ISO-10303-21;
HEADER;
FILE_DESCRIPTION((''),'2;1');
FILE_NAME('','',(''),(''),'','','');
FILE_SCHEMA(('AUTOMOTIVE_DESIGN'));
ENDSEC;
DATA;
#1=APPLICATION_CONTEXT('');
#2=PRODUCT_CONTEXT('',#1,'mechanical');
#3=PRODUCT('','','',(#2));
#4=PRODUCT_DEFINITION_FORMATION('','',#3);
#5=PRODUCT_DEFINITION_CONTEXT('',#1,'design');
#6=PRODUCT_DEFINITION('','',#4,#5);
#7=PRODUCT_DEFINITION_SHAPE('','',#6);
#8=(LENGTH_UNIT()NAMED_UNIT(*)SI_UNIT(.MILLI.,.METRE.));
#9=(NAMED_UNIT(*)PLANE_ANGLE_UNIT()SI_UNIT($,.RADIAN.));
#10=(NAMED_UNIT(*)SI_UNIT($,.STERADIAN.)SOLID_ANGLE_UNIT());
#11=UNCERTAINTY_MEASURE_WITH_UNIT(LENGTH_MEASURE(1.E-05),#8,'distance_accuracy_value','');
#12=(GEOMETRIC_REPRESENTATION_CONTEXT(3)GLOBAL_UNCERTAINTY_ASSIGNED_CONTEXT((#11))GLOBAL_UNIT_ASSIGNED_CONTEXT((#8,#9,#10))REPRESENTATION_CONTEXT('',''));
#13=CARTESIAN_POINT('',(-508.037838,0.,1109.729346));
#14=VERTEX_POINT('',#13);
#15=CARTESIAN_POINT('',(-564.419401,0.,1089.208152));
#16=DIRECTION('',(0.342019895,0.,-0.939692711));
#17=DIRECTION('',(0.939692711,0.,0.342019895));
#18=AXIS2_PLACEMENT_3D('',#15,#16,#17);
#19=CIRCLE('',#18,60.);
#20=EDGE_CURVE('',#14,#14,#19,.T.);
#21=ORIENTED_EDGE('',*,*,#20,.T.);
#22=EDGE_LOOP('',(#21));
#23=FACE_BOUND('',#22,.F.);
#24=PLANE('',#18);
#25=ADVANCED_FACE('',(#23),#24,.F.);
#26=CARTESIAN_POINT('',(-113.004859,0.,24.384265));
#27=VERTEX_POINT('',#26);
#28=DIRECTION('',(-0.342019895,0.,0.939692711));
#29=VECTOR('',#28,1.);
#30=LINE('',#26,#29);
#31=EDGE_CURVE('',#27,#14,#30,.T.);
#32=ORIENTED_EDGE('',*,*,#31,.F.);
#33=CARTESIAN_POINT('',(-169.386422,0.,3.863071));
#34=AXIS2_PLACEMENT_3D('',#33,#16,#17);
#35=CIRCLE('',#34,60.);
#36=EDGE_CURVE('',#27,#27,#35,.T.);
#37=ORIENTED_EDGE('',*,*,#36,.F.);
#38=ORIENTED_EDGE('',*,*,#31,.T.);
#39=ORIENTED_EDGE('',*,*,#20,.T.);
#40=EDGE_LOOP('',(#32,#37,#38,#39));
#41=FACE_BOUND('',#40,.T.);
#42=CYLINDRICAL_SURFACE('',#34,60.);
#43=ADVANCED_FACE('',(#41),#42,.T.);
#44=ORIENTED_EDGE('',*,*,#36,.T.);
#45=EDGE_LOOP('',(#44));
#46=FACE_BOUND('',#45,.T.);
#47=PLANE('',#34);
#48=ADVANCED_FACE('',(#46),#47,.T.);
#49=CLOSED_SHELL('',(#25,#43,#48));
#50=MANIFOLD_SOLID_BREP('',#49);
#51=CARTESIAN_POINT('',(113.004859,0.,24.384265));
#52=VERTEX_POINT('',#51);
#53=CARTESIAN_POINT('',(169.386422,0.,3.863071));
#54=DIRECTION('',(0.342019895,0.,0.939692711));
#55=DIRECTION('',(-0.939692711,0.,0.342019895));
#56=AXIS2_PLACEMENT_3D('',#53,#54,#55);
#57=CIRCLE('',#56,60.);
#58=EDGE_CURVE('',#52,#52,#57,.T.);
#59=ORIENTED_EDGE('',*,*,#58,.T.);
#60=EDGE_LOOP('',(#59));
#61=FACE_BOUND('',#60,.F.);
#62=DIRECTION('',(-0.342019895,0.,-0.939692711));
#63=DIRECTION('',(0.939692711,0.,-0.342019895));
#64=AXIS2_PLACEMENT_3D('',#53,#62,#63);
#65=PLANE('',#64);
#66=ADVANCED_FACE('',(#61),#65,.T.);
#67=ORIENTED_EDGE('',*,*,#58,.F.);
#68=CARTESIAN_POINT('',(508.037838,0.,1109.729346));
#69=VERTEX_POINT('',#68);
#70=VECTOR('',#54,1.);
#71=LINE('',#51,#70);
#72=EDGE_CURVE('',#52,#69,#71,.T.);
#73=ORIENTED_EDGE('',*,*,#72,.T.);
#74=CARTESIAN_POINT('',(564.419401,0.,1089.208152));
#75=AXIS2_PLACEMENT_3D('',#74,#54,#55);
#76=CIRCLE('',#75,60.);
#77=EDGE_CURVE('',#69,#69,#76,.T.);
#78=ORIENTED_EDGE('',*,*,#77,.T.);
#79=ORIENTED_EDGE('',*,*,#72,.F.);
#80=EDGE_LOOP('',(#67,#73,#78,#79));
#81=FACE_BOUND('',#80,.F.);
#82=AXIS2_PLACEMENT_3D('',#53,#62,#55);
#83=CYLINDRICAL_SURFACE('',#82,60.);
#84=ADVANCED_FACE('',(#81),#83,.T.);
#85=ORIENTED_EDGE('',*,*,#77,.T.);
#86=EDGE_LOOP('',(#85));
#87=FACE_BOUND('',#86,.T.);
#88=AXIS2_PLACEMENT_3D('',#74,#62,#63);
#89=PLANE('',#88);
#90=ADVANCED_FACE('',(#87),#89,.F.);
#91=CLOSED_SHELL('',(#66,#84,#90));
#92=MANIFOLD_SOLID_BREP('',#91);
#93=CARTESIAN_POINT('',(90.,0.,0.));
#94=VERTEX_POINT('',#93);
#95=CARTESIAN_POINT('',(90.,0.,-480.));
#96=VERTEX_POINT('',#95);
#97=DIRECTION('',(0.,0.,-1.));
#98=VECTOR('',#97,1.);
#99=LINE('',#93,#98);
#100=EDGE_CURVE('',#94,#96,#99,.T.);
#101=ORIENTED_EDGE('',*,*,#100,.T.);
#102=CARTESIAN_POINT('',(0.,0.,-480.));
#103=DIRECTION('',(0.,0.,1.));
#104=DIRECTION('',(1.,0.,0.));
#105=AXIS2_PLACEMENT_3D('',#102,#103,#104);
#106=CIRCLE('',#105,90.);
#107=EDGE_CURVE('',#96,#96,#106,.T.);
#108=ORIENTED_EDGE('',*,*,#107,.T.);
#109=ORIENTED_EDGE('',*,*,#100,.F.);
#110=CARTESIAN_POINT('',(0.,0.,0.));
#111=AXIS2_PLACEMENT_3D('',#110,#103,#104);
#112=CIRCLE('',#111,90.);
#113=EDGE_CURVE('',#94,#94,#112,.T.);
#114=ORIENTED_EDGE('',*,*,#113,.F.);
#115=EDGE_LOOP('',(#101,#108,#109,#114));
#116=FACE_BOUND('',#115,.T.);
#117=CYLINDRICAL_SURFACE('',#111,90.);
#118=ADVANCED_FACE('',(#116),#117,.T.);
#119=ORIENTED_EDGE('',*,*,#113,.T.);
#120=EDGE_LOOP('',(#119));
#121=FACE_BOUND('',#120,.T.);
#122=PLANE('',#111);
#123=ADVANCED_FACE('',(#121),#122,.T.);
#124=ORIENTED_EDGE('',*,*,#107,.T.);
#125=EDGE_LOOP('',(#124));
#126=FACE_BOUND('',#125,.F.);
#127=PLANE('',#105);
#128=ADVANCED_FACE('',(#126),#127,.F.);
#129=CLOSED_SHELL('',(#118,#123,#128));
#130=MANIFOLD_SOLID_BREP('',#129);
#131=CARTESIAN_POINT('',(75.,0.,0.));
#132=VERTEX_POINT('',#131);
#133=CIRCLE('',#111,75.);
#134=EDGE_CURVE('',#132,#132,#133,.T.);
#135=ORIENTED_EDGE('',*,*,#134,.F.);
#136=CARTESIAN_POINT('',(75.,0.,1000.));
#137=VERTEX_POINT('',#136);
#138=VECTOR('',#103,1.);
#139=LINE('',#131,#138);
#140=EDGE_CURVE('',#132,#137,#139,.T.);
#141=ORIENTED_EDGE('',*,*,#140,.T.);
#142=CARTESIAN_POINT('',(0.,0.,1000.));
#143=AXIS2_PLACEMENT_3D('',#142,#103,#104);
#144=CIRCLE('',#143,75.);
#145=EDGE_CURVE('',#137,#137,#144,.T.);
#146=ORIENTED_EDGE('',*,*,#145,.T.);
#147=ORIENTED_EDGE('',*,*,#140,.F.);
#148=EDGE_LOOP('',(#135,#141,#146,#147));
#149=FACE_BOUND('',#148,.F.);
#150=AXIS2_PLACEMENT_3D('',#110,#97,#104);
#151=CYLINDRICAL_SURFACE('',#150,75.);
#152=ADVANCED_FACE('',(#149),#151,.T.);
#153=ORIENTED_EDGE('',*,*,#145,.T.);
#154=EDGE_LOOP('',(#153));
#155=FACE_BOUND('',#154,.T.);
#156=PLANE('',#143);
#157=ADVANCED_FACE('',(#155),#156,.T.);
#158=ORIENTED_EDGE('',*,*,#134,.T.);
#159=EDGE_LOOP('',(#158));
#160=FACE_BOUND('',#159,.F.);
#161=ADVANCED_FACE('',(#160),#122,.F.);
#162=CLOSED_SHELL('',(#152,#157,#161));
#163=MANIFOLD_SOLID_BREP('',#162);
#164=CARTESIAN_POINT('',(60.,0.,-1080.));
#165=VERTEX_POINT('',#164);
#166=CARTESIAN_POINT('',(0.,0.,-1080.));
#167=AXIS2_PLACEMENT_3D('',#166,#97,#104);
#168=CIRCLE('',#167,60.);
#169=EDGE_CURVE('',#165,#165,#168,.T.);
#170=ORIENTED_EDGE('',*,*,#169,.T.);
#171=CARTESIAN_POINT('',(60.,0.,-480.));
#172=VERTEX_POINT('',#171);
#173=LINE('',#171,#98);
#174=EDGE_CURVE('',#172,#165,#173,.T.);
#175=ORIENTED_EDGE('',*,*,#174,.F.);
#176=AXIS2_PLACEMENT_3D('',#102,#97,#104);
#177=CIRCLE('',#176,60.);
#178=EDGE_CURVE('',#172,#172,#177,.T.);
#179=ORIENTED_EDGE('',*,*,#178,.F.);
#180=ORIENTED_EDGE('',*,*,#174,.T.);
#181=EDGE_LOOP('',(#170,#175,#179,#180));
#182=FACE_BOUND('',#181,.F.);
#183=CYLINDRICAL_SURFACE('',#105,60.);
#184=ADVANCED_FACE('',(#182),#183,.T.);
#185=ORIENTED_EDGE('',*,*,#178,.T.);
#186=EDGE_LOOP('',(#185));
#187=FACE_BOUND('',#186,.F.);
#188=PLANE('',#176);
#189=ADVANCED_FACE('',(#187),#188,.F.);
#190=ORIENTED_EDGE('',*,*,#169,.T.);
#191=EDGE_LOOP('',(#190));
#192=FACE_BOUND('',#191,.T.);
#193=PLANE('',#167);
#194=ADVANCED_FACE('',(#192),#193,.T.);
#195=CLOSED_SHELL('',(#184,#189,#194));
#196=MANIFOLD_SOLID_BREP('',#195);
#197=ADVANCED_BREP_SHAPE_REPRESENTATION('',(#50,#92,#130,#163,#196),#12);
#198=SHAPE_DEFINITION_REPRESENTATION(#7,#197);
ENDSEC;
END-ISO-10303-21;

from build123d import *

# Parameters (mm, degrees)
F0_R     = 75
F1_DEPTH = 1000
F0_R_2   = 90
F2_DEPTH = 480
F5_R     = 60
F6_DEPTH = 1155
F8_R     = 60
F9_DEPTH = 600


with BuildPart() as f1:
    # F0 (on Top) → F1 (new body)
    with BuildSketch(Plane.XY):
        Circle(F0_R)
    extrude(amount=F1_DEPTH)


with BuildPart() as f2:
    # F0 (on Top) → F2 (new body)
    with BuildSketch(Plane.XY):
        Circle(F0_R_2)
        Circle(F0_R, mode=Mode.SUBTRACT)
        Circle(F0_R)
    extrude(amount=-F2_DEPTH)


with BuildPart() as f6:
    # F5 (on face) → F6 (new body)
    with BuildSketch(Plane(origin=(-21.056, 0, 57.850885), x_dir=(0.939693, 0, 0.34202), z_dir=(0.34202, 0, -0.939693))):
        with Locations((-157.849923, 0)):
            Circle(F5_R)
    extrude(amount=-F6_DEPTH)


with BuildPart() as f7_1:
    # F7: instance of F6
    add(f6.part.mirror(Plane.YZ))


with BuildPart() as f9:
    # F8 (on face) → F9 (new body)
    with BuildSketch(Plane(origin=(0, 0, -480), x_dir=(1, 0, 0), z_dir=(0, 0, -1))):
        Circle(F8_R)
    extrude(amount=F9_DEPTH)


solid = Compound([f1.part, f2.part, f6.part, f7_1.part, f9.part])
